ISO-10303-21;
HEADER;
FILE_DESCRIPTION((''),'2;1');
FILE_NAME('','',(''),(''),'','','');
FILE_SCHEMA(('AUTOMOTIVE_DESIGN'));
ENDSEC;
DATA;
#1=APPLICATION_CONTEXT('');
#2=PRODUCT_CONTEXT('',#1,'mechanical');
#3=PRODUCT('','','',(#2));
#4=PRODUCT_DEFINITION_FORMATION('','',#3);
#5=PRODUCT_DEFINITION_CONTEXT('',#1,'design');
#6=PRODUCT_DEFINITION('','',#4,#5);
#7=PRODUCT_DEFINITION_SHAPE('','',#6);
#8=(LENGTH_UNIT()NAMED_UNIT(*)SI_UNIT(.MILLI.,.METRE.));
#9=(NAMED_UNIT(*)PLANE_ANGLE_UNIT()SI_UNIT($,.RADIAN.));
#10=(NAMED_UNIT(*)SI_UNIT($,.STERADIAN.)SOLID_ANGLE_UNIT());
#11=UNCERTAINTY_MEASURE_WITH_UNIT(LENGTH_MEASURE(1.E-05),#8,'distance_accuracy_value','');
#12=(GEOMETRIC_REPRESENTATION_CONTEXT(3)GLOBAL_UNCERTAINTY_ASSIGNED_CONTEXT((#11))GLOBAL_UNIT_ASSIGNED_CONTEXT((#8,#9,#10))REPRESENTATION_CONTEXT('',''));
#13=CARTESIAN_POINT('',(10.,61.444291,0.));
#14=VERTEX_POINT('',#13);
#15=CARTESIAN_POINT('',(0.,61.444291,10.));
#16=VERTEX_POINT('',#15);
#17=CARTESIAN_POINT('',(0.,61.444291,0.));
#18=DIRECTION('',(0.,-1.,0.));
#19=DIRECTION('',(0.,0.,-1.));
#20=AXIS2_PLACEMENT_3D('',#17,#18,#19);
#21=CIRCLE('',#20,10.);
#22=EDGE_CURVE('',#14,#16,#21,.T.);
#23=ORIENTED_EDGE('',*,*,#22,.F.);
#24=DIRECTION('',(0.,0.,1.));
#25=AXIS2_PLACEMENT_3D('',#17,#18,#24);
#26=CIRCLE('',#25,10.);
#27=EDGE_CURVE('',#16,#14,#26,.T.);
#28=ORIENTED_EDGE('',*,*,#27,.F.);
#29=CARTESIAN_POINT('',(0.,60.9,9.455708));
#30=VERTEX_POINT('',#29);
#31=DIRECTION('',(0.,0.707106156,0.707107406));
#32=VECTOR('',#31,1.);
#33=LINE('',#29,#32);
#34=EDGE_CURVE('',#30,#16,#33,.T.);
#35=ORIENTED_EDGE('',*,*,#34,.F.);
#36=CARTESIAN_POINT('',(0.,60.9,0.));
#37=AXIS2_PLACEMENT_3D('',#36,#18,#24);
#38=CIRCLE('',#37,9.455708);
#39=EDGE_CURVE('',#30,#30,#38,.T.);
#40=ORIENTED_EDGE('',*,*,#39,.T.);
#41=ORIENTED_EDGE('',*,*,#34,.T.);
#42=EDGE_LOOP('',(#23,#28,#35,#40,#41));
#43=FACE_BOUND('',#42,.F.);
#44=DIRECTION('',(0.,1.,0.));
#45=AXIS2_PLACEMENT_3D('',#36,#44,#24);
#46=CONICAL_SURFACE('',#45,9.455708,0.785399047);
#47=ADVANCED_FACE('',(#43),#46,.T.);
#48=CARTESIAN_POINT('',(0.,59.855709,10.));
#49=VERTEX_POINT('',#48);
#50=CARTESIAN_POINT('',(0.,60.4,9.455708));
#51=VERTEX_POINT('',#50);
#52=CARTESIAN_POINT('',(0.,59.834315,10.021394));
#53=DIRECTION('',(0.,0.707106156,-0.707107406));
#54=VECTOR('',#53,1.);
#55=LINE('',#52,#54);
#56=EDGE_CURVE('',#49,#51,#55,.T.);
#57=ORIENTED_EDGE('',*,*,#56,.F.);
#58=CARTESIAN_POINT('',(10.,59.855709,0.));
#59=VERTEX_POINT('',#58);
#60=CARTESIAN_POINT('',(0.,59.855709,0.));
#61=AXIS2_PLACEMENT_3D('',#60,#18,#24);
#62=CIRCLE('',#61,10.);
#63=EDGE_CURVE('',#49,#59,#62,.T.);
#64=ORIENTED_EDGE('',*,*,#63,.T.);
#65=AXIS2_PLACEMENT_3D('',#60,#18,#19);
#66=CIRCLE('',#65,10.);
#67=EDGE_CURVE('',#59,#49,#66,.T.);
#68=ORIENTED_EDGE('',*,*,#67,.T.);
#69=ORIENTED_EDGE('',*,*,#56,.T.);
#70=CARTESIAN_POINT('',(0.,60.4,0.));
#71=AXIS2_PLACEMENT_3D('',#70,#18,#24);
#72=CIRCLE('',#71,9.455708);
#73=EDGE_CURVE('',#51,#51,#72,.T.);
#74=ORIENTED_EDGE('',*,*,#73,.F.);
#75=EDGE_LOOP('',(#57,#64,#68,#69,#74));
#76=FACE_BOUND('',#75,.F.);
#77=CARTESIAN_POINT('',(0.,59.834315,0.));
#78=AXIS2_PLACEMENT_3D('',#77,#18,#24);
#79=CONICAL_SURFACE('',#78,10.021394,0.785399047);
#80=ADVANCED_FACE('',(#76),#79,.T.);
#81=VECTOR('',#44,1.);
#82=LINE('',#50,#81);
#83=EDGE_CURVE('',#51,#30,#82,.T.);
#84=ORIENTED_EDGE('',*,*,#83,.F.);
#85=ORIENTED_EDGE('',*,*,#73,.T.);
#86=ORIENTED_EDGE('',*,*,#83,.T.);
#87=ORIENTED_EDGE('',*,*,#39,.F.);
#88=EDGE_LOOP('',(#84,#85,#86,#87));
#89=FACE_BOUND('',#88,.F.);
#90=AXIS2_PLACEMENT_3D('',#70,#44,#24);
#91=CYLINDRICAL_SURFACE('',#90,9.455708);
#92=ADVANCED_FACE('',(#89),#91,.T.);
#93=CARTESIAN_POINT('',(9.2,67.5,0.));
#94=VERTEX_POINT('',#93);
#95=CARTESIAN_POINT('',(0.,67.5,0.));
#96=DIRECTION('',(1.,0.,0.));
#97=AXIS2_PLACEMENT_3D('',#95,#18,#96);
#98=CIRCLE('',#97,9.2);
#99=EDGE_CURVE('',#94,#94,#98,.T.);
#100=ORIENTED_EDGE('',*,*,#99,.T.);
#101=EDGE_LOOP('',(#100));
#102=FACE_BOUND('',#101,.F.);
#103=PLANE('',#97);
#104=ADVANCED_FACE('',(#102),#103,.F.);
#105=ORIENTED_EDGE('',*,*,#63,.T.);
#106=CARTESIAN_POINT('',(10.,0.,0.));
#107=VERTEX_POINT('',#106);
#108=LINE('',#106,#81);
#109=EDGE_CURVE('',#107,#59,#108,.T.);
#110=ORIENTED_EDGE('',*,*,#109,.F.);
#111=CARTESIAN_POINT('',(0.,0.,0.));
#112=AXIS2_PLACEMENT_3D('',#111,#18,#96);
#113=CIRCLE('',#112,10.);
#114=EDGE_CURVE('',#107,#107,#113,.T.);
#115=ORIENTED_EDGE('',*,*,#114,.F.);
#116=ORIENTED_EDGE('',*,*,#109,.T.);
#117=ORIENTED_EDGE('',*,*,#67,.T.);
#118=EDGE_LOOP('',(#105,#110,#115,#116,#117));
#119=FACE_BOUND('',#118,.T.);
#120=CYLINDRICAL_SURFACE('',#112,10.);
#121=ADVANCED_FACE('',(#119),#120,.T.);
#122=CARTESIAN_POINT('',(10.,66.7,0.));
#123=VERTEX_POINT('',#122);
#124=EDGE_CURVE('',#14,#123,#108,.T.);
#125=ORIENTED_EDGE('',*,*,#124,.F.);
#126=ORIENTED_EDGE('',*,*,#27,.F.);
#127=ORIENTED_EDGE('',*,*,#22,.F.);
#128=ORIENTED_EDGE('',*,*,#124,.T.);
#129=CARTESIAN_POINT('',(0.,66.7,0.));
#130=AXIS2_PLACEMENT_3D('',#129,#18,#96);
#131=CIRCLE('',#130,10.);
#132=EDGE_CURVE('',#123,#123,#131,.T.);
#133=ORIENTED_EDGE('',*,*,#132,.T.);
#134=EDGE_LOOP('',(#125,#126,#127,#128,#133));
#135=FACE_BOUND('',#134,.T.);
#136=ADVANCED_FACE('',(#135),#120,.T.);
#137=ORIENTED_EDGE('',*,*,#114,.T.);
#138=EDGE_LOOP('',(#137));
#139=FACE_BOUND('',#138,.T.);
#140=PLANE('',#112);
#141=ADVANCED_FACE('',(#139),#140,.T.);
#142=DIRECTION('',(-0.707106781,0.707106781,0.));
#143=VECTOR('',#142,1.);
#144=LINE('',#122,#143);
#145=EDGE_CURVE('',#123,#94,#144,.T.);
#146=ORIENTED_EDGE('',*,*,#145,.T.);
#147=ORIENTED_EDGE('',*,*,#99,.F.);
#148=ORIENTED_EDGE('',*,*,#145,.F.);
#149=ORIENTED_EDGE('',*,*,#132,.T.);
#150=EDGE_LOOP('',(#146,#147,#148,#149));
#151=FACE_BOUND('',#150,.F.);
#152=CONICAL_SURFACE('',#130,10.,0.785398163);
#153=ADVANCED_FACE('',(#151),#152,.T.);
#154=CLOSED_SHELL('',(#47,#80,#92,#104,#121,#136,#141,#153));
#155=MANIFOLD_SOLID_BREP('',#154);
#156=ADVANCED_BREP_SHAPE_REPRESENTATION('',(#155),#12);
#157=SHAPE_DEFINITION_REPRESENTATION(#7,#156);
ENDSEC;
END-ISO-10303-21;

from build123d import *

# Parameters (mm, degrees)
F0_R     = 10
F1_DEPTH = 67.5
F4_SIZE2 = 0.8
F4_SIZE  = 0.8


with BuildPart() as f1:
    # F0 (on Front) → F1 (new body)
    with BuildSketch(Plane.XZ):
        Circle(F0_R)
    extrude(amount=-F1_DEPTH)

    # F2 (on Right) → F3 (revolve, cut)
    with BuildSketch(Plane.YZ):
        Polygon((60.4, 9.455708), (60.9, 9.455708), (61.465685, 10.021394), (59.834315, 10.021394), align=None)
        Polygon((61.465685, -10.021394), (60.9, -9.455708), (60.4, -9.455708), (59.834315, -10.021394), align=None)
    revolve(axis=Axis((0, 0, 0), (0, -1, 0)), mode=Mode.SUBTRACT)

    # F4
    f4_edges = [f1.edges().sort_by_distance(p)[0] for p in [
        (-10, 67.5, 0),
    ]]
    chamfer(f4_edges, length=F4_SIZE, length2=F4_SIZE2)


solid = f1.part
